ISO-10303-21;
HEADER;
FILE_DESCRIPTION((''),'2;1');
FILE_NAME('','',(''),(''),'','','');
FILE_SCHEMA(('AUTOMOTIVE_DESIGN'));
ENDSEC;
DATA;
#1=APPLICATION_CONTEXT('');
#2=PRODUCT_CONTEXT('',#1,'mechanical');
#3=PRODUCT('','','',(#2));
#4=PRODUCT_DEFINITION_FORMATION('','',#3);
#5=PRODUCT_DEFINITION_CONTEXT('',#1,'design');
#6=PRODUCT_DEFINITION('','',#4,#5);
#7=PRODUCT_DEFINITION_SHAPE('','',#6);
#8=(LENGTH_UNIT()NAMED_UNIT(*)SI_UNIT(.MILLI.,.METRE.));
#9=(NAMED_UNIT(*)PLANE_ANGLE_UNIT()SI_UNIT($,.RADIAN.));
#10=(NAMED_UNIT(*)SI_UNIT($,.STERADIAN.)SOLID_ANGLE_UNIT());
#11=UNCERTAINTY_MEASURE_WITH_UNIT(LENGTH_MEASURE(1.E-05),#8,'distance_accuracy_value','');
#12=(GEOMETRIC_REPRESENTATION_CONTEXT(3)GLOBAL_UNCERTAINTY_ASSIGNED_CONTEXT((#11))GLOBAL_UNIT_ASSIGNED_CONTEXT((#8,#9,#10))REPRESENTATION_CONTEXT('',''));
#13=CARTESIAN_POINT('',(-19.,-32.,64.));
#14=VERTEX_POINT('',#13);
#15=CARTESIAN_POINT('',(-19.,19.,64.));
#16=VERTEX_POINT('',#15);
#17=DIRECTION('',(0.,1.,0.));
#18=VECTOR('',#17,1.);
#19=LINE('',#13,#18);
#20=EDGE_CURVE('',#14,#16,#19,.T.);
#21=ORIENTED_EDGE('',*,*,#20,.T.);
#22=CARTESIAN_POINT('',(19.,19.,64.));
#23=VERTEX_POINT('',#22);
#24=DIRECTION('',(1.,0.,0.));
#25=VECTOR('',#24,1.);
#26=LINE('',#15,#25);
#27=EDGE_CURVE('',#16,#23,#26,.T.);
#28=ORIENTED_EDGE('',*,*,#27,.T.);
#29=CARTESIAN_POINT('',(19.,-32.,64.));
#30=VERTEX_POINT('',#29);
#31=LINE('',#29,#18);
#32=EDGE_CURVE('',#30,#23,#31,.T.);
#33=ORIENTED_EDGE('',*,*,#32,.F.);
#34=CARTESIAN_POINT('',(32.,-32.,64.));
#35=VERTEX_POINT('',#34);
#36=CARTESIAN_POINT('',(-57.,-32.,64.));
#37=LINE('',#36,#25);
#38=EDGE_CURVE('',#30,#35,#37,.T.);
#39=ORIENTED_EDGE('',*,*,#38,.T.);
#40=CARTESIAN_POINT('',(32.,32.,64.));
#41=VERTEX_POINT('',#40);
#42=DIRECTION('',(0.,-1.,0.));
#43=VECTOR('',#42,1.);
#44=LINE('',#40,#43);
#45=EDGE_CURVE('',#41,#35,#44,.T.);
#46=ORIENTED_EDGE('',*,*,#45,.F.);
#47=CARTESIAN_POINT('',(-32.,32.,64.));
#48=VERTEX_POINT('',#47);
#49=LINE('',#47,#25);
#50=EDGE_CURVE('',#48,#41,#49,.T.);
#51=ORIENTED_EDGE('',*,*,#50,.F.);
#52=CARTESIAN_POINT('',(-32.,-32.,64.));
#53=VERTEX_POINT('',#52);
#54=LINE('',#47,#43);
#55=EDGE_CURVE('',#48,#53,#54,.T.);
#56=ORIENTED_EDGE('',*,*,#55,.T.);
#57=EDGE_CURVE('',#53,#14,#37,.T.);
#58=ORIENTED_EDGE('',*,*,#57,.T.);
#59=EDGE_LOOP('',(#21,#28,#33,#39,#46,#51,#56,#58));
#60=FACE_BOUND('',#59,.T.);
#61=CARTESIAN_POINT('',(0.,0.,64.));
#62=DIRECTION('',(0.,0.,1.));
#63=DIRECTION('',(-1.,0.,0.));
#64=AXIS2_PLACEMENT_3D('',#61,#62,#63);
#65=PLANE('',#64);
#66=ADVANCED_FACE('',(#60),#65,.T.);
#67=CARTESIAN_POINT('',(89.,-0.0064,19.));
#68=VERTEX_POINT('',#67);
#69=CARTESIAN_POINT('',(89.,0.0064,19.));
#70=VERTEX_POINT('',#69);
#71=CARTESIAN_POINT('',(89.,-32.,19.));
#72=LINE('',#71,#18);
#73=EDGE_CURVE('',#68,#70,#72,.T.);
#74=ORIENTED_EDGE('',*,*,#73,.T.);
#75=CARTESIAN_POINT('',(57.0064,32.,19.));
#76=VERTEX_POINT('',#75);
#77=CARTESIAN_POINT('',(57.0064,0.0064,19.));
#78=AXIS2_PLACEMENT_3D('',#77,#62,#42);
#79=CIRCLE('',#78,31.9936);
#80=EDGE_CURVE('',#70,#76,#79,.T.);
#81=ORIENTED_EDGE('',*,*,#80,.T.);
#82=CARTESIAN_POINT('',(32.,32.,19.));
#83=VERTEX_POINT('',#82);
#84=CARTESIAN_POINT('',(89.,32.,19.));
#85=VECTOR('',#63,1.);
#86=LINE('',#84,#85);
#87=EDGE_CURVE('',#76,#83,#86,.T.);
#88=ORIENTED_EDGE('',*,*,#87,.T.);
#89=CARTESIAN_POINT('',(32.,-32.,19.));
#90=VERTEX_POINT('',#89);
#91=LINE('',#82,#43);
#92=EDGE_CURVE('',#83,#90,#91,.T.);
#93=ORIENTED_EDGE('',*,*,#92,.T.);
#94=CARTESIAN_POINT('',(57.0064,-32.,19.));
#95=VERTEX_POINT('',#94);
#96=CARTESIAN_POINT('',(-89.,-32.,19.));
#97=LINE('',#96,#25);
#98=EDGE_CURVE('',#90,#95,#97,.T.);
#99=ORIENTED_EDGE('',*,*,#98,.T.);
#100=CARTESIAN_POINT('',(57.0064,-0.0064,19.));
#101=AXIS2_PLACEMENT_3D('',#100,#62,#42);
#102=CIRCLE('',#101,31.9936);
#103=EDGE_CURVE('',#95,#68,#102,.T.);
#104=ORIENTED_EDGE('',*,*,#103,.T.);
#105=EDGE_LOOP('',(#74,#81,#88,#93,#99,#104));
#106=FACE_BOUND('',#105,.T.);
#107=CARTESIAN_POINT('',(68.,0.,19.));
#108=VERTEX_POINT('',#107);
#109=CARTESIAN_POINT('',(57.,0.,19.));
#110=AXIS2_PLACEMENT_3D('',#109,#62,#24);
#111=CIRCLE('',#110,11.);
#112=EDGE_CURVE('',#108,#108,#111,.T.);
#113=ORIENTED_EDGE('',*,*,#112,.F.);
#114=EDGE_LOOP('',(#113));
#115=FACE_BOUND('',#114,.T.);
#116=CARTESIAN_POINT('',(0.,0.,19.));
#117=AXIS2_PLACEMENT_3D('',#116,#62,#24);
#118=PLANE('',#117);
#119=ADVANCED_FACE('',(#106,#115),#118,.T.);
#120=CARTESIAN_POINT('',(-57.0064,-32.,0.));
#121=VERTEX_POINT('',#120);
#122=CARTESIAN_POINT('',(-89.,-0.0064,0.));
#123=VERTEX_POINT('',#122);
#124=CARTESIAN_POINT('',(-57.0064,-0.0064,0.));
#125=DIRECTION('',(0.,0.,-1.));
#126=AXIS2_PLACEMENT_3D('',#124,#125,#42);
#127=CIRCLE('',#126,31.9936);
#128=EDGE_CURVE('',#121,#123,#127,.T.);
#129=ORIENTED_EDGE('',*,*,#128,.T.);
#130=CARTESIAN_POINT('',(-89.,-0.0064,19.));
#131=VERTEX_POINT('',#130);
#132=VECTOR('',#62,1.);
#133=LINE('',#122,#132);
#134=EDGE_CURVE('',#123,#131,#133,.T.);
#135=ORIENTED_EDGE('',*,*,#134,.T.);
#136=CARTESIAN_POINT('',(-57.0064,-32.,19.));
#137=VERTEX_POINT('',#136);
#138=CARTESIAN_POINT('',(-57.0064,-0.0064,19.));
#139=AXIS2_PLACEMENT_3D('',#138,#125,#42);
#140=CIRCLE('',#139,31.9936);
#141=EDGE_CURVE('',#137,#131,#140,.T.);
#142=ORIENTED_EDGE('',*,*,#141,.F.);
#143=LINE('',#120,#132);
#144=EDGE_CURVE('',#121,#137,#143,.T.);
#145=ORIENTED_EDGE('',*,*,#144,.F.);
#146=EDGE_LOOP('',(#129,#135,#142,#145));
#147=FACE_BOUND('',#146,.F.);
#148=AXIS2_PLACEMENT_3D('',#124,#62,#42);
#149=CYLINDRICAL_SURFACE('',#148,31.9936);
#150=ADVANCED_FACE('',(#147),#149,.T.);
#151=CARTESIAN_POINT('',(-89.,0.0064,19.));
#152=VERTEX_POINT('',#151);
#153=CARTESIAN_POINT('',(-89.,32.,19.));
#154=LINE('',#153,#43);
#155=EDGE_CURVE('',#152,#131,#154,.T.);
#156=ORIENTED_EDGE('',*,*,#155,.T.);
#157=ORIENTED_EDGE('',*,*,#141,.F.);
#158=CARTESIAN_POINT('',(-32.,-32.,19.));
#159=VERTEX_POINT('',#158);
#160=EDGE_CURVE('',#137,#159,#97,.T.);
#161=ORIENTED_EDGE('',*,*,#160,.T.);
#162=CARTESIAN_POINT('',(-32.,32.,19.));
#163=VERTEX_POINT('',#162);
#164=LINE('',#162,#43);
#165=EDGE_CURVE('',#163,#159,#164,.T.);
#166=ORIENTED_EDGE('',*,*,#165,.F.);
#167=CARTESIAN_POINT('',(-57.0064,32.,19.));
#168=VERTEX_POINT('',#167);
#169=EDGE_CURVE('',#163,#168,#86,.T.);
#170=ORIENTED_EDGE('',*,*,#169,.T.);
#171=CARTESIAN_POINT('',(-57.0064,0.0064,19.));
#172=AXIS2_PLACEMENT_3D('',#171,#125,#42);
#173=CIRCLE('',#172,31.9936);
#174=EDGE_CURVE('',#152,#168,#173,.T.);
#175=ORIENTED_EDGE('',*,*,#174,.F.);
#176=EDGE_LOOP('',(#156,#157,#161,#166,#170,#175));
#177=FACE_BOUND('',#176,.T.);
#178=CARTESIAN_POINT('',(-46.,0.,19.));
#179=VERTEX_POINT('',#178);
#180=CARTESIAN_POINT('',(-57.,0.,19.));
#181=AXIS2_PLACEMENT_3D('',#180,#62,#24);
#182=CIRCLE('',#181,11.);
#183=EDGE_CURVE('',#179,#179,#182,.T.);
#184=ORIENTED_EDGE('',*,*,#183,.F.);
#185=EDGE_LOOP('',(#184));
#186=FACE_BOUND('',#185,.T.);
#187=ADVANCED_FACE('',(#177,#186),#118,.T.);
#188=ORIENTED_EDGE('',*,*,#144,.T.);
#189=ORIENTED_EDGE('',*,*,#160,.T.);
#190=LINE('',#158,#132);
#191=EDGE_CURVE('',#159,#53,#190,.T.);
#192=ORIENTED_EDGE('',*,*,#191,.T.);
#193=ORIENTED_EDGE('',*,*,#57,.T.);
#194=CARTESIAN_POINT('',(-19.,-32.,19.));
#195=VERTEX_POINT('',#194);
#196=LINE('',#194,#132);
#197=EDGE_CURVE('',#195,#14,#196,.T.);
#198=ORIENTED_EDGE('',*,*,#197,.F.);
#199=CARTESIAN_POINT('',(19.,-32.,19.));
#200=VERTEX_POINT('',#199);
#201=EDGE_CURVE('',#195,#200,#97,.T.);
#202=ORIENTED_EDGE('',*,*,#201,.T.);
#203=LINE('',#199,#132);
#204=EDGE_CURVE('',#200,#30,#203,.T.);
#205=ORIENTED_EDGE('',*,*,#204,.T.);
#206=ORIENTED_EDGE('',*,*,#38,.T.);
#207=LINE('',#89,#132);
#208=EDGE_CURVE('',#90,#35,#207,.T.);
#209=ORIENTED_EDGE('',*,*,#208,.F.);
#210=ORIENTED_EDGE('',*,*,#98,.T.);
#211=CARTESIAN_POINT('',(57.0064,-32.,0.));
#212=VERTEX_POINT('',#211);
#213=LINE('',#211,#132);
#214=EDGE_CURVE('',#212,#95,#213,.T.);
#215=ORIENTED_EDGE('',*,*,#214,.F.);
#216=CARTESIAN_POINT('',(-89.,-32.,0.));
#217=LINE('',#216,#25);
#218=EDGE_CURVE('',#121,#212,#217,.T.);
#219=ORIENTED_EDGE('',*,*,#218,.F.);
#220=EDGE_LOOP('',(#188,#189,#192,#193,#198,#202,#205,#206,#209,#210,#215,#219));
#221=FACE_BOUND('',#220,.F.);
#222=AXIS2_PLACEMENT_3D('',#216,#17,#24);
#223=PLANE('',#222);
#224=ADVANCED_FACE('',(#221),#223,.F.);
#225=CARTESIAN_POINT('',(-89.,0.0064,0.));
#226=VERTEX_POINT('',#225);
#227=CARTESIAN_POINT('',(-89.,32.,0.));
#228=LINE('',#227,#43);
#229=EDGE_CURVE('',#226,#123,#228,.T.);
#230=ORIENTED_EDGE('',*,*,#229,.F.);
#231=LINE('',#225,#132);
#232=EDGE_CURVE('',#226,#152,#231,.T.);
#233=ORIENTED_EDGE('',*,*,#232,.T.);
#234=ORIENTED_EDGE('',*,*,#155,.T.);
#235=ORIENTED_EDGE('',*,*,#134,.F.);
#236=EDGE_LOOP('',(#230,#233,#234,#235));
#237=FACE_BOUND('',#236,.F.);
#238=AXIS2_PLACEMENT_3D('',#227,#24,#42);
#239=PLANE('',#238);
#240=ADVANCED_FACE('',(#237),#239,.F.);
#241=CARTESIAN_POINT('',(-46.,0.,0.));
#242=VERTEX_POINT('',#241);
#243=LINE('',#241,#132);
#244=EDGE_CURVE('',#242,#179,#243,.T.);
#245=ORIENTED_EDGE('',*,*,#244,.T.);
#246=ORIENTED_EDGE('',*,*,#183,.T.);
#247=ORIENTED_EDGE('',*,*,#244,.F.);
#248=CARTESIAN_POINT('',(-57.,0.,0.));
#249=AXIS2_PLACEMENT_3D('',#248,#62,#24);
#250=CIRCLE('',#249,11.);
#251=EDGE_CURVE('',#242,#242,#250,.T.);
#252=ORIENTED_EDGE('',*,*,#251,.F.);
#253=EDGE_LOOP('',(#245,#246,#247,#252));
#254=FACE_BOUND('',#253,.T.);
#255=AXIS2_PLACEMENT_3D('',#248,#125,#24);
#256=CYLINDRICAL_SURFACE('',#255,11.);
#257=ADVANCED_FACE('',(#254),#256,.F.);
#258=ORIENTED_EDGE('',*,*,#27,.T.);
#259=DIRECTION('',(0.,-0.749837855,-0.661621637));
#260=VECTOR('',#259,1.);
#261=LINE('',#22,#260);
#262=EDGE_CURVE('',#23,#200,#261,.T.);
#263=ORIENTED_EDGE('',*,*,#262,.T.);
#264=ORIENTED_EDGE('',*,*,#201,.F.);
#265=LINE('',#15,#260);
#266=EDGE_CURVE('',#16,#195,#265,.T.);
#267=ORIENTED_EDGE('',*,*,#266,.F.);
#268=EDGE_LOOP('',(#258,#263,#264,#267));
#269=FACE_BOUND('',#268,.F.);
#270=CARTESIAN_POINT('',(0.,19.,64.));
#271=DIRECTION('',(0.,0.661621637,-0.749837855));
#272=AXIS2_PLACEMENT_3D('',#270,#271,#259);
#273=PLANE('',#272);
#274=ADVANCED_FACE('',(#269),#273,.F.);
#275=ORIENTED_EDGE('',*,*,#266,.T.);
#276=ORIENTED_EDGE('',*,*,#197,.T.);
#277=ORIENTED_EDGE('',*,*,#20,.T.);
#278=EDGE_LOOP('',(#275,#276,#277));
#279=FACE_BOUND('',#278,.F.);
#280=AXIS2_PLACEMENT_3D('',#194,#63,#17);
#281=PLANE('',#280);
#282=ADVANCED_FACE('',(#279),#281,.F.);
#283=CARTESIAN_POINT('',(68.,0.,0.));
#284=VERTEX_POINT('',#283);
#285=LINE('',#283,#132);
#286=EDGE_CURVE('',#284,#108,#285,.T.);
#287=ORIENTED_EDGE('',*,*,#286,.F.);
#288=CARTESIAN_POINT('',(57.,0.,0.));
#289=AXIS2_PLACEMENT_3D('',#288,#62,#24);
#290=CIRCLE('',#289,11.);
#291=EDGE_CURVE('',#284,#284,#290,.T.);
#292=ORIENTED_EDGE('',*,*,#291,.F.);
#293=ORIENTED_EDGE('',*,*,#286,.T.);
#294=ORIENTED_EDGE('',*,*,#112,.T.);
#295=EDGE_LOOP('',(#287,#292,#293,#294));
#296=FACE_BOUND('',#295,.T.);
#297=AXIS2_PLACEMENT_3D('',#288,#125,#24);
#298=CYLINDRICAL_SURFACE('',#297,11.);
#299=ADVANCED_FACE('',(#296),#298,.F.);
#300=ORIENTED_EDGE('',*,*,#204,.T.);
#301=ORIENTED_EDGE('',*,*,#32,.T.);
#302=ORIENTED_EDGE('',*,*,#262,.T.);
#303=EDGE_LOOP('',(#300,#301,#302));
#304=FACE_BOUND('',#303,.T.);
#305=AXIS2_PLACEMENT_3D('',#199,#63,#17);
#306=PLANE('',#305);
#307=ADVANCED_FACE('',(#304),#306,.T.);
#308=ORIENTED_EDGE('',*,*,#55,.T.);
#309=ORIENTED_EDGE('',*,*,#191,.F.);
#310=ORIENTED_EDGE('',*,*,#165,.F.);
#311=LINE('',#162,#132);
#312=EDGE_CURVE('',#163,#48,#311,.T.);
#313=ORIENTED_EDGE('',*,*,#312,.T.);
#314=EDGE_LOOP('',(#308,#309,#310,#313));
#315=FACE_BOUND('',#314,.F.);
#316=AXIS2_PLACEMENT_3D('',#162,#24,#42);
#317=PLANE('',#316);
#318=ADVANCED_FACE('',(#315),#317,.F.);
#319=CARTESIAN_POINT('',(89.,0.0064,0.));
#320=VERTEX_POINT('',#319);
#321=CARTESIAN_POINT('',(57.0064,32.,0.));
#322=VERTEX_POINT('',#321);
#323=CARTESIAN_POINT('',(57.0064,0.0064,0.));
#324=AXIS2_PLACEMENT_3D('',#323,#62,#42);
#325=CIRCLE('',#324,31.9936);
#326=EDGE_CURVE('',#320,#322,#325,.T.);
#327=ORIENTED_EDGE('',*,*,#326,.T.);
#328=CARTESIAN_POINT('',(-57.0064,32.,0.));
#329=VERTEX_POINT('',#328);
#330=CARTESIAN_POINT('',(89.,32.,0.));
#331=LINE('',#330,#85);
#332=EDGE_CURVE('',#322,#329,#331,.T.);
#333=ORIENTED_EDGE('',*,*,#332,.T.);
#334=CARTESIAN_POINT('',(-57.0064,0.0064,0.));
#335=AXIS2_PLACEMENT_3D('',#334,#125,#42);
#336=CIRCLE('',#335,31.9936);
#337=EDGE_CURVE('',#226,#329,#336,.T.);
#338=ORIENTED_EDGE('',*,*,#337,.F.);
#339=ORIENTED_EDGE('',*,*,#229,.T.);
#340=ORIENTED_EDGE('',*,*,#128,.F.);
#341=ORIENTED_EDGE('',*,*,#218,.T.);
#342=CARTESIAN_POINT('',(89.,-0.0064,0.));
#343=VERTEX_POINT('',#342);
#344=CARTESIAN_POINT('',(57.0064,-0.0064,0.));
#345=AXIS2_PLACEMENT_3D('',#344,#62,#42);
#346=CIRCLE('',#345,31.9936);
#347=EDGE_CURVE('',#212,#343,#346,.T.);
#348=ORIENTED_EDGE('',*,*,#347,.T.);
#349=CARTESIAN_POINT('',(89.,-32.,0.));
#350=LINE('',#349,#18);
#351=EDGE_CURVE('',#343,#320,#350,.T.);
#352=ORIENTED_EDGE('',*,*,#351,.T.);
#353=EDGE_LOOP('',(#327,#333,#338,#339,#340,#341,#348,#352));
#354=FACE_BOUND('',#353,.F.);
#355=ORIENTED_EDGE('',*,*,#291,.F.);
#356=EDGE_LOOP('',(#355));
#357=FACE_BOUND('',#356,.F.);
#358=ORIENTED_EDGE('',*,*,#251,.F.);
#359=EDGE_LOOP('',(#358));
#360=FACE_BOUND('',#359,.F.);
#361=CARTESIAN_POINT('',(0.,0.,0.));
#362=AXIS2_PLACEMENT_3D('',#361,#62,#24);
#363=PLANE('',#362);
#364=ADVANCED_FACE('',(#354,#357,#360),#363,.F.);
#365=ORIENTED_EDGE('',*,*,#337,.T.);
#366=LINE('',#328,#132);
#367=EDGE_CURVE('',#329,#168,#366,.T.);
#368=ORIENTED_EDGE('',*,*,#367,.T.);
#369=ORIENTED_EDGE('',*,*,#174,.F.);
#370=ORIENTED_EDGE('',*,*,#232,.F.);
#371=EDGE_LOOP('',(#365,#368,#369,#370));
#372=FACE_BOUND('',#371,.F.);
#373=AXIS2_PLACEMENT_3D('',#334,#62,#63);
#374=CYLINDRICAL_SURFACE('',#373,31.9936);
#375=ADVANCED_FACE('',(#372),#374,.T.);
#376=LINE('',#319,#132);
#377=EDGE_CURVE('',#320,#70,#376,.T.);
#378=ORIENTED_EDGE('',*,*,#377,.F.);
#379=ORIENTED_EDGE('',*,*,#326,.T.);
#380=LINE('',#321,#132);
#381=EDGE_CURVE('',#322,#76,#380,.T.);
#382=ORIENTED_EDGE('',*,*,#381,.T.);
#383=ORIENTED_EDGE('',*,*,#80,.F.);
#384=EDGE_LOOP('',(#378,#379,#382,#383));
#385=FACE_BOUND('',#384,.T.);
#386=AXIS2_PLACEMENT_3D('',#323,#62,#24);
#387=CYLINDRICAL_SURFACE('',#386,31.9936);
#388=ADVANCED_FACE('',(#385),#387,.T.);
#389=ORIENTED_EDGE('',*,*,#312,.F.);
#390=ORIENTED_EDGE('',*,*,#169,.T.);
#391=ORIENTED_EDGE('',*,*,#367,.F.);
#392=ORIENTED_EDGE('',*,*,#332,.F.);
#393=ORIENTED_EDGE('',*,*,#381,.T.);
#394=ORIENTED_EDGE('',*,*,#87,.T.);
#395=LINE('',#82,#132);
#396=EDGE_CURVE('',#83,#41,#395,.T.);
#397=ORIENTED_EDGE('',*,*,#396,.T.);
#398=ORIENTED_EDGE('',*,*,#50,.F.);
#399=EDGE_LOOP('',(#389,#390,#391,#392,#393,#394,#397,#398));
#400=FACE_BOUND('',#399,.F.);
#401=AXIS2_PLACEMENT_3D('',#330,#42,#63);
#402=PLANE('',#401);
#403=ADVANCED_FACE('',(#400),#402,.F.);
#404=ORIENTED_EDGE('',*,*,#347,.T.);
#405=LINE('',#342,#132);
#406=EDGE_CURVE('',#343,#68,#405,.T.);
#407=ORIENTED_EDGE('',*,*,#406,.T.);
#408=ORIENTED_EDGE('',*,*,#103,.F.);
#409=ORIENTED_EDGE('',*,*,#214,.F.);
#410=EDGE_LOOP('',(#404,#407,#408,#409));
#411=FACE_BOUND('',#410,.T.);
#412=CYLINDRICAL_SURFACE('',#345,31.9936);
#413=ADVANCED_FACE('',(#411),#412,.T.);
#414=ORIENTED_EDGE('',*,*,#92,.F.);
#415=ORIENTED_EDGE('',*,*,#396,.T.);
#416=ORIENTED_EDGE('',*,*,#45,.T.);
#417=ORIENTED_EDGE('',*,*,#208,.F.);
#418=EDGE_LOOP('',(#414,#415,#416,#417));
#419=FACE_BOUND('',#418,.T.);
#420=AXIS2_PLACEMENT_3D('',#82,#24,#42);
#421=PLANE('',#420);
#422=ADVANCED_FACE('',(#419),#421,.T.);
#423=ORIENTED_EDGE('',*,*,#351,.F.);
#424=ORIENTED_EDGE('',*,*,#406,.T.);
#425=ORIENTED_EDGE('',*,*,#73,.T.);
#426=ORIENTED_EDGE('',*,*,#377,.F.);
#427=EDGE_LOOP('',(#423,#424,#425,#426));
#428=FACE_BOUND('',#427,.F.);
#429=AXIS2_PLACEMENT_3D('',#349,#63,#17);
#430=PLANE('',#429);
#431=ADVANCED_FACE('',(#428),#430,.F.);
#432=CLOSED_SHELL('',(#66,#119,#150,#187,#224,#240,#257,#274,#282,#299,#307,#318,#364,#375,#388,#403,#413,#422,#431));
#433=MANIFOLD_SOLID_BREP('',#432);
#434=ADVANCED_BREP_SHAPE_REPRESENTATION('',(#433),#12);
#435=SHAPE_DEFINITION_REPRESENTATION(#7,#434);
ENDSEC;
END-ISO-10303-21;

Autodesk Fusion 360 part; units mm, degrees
sketch "Sketch1" plane through (0, 0, 0) normal (0, 0, 1) x (1, 0, 0)
  line L0 (89, 32) -> (-89, 32)
  line L1 (-89, 32) -> (-89, -32)
  line L2 (-89, -32) -> (89, -32)
  line L3 (89, -32) -> (89, 32)
  line L4 (89, 32) -> (-89, -32) construction
  line L5 (-89, 32) -> (89, -32) construction
  circle A0 centre (-57, 0) radius 11
  circle A1 centre (57, 0) radius 11
  dimension "d1" = 178
  dimension "d2" = 64
  dimension "d13" = 22
  dimension "d14" = 22
  dimension "d21" = 114
extrude "Extrude2" add sketch "Sketch1" along normal blind 19
fillet "Fillet3" radius 32 2 edges at (-89, -32, 9.5) (-89, 32, 9.5)
fillet "Fillet4" radius 32 2 edges at (89, -32, 9.5) (89, 32, 9.5)
sketch "Sketch2" plane through (0, 0, 19) normal (0, 0, 1) x (-1, 0, 0)
  arc A0 (-57, 32) -> (-57, -32) centre (-57, 0) ccw
  line L0 (-57, -32) -> (57, -32)
  arc A1 (57, -32) -> (57, 32) centre (57, 0) ccw
  line L1 (57, 32) -> (-57, 32)
  circle A2 centre (-57, 0) radius 11
  circle A3 centre (57, 0) radius 11
  line L2 (0, -32) -> (32, -32)
  line L3 (0, -32) -> (-32, -32)
  line L4 (32, -32) -> (32, 32)
  line L5 (-32, -32) -> (-32, 32)
  line L6 (32, 32) -> (19, 32)
  line L7 (-32, 32) -> (-19, 32)
  line L8 (19, 32) -> (19, -19)
  line L9 (-19, 32) -> (-19, -19)
  line L10 (19, -19) -> (-19, -19)
  dimension "d22" = 32
  dimension "d23" = 32
  dimension "d28" = 13
  dimension "d29" = 13
  dimension "d30" = 51
  dimension "d31" = 51
extrude "Extrude3" add sketch "Sketch2" along normal blind 45 contours L0 L1 L2 L3 L4 L5 L6 L7 L8 L9 L10
sketch "Sketch3" plane through (19, 0, 0) normal (-1, 0, 0) x (0, -1, 0)
  line L0 (-19, 19) -> (32, 19)
  line L1 (32, 19) -> (32, 64)
  line L2 (32, 64) -> (-19, 64)
  line L3 (-19, 64) -> (-19, 19)
sketch "Sketch4" plane through (0, 0, 0) normal (1, 0, 0) x (0, 1, 0)
  line L0 (19, 19) -> (-32, 19)
  line L1 (19, 19) -> (19, 64)
  line L2 (19, 64) -> (-32, 19)
  dimension "d34" = 51
  dimension "d35" = 45
extrude "Extrude4" add sketch "Sketch4" along normal mid plane 38
equation "d32 = 64 mm - 19 mm"
